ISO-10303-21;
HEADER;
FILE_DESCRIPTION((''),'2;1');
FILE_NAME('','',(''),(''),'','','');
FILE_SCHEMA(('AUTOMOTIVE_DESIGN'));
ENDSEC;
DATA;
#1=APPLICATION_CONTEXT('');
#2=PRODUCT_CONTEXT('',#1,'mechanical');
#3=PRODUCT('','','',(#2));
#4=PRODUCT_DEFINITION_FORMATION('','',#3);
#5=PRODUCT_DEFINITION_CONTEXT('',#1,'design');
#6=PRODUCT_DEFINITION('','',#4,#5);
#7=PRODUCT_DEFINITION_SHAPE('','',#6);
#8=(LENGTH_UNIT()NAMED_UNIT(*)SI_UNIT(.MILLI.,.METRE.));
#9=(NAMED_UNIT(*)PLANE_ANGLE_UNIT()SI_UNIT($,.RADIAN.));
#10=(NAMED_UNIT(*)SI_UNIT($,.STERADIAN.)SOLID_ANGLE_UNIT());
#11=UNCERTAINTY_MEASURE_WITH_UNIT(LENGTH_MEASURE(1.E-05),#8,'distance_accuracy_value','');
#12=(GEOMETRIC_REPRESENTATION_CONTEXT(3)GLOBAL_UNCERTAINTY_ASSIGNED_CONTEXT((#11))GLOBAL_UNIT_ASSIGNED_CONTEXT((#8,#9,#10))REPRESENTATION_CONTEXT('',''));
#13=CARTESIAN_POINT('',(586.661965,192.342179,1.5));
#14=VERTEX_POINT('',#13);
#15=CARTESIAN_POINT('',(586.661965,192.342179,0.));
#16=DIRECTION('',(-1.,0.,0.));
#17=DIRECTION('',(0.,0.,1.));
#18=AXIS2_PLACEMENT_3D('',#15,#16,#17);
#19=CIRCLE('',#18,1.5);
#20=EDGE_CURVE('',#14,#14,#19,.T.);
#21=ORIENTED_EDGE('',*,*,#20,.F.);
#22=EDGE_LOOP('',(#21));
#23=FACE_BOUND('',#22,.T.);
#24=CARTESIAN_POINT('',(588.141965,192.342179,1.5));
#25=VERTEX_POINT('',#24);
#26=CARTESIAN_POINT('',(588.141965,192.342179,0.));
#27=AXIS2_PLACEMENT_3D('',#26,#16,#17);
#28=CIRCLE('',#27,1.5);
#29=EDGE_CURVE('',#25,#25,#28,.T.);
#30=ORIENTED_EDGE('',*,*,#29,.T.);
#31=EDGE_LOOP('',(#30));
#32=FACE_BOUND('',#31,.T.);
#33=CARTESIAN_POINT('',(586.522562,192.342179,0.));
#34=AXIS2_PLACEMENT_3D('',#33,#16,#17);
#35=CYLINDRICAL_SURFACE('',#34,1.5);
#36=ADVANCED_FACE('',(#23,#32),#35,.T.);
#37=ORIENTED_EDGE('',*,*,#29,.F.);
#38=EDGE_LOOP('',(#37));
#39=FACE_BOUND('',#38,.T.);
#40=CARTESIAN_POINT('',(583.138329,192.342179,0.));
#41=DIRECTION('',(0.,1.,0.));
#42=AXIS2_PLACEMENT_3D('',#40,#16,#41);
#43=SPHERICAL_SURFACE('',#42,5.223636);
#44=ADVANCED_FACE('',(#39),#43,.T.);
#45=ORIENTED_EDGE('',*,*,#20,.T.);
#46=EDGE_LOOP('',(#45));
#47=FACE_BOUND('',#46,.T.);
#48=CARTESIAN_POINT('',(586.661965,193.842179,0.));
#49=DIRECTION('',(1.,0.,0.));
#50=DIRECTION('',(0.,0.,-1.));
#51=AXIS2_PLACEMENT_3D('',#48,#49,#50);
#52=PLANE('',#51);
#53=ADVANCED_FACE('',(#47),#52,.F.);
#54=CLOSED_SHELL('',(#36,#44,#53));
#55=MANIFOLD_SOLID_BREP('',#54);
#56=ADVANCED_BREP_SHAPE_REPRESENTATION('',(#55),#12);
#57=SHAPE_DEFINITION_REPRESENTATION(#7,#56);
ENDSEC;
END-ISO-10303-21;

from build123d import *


with BuildPart() as part:
    # 草图1 → 旋转1 (revolve)
    with BuildSketch(Plane.XY):
        with BuildLine():
            Line((588.141965252, 193.842178515), (586.661965252, 193.842178515))
            Line((586.661965252, 193.842178515), (586.661965252, 192.342178515))
            Line((586.661965252, 192.342178515), (588.361965252, 192.342178515))
            ThreePointArc((588.361965252, 192.342178515), (588.306672613, 193.100202261), (588.141965252, 193.842178515))
        make_face()
    revolve(axis=Axis((586.522561634, 192.342178515, 0), (1, 0, 0)))


solid = part.part
